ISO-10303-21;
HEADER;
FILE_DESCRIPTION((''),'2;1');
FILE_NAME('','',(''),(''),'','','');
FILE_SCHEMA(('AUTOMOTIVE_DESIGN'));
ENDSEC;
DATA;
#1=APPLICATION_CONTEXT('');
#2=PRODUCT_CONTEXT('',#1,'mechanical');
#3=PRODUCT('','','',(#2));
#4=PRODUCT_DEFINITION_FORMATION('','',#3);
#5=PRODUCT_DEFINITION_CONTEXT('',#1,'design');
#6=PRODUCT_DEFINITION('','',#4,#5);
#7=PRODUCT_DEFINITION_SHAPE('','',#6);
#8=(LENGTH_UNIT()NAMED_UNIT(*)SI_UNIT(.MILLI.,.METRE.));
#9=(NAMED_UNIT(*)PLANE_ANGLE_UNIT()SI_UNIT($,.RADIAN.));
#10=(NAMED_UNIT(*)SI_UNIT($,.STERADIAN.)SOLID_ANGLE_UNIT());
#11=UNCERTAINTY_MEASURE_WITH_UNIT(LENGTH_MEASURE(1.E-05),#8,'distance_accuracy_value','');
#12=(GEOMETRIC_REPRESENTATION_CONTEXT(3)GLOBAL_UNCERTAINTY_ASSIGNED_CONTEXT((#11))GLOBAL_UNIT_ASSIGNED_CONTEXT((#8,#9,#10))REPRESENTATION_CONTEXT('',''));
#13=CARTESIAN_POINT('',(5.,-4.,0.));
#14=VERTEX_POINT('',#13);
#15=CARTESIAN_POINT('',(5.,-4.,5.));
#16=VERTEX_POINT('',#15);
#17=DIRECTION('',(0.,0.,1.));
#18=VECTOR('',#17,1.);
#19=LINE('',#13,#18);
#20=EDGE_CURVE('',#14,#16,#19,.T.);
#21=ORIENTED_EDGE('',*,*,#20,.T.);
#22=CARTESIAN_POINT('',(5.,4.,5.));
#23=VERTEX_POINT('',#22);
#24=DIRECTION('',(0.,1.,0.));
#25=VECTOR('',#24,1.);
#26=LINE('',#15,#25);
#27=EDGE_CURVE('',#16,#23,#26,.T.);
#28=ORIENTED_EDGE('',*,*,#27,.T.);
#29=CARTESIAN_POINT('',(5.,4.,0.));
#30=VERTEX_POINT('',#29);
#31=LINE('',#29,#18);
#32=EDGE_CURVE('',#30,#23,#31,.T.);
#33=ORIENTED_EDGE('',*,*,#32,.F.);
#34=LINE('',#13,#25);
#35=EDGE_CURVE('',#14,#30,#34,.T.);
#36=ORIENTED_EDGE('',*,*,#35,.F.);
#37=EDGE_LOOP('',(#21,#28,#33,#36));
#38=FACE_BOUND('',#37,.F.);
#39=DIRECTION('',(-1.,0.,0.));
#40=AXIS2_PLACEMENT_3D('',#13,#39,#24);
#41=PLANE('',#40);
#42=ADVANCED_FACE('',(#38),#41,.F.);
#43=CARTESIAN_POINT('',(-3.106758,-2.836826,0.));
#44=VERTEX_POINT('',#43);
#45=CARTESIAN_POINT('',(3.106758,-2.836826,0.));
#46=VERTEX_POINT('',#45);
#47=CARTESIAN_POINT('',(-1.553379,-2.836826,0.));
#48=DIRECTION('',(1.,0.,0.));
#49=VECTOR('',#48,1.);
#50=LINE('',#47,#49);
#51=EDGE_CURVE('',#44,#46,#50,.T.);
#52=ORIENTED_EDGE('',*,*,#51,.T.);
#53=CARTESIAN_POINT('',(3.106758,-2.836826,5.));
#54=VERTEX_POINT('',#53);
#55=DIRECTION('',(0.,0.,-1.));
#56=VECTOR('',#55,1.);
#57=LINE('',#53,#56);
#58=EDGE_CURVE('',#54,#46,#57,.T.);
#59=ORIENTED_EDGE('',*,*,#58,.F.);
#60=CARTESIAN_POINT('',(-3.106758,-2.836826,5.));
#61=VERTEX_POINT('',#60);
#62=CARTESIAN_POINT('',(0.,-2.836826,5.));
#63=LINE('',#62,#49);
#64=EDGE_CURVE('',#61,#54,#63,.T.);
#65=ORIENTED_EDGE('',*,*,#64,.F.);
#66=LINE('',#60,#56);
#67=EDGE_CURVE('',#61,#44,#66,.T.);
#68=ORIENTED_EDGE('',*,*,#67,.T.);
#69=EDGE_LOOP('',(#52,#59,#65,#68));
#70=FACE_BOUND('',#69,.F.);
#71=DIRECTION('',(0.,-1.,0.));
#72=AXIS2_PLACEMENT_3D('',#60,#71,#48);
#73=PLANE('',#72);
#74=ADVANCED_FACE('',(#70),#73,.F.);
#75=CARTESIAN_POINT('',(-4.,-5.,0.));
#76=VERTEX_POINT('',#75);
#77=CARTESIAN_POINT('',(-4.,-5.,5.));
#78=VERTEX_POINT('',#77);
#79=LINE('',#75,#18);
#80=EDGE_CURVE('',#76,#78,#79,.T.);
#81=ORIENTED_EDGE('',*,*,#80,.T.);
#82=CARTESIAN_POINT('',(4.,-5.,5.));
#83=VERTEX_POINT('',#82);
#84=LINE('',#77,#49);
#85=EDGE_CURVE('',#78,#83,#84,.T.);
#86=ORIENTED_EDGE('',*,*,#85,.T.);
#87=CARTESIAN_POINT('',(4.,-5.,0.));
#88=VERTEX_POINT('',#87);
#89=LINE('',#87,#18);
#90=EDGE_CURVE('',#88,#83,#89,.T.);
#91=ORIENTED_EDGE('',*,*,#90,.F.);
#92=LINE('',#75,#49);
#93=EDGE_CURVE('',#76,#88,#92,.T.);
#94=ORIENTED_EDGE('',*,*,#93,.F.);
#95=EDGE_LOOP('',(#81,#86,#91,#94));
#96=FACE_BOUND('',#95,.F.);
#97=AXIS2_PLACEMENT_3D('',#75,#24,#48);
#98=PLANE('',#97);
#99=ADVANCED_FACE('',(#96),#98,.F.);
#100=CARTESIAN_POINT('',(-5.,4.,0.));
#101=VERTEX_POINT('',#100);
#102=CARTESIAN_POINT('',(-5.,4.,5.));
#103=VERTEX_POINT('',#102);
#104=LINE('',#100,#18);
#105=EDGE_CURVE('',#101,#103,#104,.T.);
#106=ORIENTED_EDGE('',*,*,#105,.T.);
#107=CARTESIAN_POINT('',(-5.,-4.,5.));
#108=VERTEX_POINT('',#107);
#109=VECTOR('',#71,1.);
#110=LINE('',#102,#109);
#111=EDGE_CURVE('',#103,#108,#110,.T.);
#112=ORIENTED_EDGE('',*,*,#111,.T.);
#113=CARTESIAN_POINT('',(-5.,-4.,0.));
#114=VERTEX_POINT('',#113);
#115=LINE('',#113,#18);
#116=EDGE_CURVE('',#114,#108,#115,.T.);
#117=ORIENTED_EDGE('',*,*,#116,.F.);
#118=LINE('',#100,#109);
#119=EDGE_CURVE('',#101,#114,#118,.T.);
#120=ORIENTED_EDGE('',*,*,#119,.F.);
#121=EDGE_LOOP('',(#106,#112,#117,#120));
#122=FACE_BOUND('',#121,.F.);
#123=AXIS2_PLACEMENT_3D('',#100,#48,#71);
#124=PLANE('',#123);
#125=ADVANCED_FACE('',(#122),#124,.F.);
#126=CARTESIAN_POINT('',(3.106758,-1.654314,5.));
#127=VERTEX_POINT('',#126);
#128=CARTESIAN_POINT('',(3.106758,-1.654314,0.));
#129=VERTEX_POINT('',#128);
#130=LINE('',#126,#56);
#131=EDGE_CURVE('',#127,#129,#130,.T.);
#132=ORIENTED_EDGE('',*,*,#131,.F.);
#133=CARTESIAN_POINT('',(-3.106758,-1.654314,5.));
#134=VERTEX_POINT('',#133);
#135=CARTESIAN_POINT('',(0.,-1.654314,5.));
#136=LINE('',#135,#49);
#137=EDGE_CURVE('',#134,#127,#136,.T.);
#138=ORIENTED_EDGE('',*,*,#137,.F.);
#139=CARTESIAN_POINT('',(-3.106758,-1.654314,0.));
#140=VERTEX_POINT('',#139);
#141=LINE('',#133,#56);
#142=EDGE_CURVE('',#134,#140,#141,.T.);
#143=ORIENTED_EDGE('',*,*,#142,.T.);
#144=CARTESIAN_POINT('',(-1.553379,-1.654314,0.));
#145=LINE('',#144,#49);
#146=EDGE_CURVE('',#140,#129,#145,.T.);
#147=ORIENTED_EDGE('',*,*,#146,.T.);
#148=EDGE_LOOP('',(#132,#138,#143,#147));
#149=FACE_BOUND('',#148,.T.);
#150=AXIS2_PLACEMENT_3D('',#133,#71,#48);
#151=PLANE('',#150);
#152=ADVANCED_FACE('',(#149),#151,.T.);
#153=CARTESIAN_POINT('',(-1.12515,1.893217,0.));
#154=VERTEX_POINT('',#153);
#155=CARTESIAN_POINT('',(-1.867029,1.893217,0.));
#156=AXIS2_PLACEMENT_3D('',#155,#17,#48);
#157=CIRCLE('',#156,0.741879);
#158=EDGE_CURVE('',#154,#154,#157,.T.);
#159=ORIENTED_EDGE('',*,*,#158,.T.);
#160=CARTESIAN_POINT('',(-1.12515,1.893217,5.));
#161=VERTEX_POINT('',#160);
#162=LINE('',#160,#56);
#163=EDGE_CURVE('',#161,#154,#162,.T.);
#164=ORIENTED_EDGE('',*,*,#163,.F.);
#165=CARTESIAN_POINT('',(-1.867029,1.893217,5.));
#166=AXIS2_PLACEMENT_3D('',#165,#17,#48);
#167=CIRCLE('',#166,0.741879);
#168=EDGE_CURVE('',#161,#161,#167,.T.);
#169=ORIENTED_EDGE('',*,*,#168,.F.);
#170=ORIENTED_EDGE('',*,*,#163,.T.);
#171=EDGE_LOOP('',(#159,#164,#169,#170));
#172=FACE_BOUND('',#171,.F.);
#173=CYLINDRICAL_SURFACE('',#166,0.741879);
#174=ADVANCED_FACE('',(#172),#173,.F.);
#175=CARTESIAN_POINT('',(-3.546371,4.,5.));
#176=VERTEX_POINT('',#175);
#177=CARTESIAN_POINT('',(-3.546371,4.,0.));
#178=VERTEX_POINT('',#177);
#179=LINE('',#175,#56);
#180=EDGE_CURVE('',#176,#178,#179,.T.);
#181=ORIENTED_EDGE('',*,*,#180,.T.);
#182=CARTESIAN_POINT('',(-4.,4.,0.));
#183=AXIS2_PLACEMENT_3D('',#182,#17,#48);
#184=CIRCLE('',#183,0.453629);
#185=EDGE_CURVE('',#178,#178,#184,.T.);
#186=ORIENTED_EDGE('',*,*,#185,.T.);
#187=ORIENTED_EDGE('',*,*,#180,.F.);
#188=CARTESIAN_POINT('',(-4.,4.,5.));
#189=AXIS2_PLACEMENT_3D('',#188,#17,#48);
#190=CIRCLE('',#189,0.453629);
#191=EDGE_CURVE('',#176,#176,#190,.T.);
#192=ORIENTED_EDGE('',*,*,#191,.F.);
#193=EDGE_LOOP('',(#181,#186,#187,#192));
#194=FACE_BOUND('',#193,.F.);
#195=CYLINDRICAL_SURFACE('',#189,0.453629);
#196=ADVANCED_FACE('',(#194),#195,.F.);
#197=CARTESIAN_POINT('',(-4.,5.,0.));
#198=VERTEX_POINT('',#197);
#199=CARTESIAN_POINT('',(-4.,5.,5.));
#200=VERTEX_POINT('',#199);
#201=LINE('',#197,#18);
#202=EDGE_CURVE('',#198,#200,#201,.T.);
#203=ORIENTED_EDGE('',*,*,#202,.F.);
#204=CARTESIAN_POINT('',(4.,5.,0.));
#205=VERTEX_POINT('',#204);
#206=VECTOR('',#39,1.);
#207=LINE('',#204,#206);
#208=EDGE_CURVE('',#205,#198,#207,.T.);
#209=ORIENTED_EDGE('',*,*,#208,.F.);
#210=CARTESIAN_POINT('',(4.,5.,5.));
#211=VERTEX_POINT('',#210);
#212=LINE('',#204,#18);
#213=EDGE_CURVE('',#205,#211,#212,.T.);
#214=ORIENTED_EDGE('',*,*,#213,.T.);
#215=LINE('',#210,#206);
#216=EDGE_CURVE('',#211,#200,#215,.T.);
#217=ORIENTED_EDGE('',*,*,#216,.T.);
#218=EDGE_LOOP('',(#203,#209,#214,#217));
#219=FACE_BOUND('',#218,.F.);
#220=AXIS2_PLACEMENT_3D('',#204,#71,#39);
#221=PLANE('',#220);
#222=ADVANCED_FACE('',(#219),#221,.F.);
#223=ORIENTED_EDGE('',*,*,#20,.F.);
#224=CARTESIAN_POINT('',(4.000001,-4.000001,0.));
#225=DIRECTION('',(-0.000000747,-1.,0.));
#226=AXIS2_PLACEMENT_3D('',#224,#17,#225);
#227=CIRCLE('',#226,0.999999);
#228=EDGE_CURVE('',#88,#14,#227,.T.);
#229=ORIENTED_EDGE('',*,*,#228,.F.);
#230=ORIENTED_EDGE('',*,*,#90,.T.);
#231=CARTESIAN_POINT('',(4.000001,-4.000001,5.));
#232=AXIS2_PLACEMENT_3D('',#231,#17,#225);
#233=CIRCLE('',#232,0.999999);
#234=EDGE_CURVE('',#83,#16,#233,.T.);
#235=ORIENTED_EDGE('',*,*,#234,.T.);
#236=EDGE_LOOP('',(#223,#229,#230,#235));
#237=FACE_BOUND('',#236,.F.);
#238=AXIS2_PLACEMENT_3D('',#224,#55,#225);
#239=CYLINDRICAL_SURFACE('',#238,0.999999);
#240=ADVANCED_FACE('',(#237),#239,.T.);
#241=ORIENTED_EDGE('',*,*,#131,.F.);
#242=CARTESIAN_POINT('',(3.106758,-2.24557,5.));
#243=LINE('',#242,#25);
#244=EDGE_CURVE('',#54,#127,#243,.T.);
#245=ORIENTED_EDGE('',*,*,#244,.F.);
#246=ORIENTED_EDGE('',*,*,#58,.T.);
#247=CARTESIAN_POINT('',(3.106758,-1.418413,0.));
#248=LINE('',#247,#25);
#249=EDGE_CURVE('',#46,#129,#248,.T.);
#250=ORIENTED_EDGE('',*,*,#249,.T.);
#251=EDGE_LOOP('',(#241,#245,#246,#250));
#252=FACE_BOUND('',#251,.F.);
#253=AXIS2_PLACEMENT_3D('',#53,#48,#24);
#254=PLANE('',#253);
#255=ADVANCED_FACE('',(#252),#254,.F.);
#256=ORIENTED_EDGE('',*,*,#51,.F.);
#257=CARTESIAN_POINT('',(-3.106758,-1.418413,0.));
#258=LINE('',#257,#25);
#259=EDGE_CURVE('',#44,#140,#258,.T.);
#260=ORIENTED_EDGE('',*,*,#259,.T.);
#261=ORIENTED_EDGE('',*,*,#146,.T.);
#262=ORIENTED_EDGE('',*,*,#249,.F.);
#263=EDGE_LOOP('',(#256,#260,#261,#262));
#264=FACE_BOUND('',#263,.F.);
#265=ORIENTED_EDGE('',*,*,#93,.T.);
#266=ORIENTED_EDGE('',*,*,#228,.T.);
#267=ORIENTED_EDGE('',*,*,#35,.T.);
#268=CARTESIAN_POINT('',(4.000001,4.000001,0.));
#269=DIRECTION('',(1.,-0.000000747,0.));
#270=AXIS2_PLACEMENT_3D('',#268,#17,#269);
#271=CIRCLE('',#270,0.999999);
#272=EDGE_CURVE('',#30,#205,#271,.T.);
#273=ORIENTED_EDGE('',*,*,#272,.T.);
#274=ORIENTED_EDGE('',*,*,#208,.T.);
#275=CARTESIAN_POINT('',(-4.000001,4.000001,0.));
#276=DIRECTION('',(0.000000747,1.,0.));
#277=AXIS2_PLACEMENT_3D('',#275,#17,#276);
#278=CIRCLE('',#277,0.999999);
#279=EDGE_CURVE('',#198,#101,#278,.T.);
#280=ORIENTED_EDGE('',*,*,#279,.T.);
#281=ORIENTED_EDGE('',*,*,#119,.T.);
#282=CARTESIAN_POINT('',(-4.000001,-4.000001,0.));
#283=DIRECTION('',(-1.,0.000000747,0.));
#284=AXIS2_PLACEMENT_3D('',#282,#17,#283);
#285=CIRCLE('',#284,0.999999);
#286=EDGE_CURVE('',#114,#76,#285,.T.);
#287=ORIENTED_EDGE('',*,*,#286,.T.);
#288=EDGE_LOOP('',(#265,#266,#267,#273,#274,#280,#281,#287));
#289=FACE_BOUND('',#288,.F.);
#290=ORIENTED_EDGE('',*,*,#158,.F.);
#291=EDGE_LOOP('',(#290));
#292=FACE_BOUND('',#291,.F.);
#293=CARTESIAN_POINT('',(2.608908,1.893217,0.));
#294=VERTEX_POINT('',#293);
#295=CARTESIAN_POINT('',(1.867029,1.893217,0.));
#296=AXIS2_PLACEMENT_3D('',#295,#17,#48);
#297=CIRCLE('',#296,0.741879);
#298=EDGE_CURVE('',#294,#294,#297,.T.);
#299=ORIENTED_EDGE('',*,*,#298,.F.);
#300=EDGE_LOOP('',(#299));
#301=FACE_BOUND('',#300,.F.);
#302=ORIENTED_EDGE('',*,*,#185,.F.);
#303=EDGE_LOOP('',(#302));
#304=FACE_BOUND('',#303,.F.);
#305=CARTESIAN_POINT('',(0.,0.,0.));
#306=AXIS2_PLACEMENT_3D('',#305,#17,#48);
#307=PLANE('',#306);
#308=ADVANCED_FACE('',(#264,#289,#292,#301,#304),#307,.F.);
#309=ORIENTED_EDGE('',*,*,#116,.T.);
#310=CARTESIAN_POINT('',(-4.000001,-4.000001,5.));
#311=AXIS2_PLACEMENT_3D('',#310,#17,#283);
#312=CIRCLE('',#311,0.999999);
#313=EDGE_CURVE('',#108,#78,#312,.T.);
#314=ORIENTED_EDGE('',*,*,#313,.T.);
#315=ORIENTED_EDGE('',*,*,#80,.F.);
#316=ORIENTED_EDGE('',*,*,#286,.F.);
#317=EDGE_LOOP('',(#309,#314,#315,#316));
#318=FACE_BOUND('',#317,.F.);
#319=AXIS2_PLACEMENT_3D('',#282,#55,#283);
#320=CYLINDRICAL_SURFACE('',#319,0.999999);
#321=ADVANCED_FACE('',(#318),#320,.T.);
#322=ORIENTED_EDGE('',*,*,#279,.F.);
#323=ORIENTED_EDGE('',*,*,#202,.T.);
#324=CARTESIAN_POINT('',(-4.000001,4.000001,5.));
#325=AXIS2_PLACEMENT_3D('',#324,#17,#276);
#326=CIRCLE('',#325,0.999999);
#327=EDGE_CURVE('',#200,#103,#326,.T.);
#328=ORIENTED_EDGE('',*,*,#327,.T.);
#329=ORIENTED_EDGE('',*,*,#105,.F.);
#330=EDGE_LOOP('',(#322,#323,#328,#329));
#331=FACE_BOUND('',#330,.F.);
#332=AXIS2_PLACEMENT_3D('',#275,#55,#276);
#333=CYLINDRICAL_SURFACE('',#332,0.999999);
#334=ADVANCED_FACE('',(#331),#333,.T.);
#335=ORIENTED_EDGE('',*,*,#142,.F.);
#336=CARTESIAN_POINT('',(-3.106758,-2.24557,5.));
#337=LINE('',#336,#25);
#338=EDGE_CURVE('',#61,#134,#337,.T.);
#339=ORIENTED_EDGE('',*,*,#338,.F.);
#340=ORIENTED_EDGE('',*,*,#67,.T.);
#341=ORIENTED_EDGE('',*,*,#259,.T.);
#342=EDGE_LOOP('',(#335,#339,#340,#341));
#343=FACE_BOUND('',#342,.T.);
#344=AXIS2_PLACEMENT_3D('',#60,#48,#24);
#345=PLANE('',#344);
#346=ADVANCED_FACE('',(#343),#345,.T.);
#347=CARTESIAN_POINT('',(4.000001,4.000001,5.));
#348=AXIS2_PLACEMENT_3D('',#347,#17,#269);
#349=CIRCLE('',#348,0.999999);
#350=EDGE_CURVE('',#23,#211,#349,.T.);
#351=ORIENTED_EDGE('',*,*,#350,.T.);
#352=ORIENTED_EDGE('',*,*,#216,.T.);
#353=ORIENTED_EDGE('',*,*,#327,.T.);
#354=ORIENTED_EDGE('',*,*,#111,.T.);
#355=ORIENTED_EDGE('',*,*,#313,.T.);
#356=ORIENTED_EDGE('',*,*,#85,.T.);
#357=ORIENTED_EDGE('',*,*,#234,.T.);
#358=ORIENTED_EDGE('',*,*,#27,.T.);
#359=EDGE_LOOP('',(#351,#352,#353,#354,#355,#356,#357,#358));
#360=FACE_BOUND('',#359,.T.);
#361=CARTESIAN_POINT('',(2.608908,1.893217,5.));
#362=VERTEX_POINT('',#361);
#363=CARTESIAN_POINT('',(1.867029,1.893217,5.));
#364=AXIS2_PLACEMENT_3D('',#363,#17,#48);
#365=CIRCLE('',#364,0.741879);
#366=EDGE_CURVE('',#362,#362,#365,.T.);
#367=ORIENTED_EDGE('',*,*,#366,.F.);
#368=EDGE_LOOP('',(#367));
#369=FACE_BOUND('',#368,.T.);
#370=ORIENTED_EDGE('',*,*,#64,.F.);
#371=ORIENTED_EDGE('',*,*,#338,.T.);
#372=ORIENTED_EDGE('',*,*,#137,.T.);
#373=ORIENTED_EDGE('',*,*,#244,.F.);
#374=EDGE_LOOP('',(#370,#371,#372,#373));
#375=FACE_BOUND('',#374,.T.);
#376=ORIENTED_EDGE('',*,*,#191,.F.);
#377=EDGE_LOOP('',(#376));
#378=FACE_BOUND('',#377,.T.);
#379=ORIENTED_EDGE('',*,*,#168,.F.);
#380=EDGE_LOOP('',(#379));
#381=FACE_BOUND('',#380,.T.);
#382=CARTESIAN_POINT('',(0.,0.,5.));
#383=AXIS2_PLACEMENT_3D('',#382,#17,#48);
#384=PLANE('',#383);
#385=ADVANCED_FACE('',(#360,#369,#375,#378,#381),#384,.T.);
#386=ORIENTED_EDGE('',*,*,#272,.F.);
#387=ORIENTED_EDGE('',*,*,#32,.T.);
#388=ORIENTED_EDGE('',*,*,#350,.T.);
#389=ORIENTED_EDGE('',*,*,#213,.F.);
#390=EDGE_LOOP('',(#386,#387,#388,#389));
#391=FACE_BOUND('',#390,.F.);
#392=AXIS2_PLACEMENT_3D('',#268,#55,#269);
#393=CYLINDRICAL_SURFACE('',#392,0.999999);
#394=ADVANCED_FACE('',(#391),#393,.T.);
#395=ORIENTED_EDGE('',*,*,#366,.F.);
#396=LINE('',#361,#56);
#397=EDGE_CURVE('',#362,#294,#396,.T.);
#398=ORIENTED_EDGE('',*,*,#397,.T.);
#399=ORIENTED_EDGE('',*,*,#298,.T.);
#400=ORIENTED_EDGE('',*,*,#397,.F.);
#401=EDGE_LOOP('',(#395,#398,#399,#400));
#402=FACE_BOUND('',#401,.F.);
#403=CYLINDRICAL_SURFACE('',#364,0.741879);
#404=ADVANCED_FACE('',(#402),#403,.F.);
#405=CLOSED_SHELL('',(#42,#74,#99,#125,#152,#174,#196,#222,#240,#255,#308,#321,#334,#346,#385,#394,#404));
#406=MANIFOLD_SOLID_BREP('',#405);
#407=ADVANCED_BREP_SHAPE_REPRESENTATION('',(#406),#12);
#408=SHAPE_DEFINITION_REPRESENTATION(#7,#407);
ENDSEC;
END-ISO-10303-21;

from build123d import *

# Parameters (mm, degrees)
F1_DEPTH = 5
F2_R     = 0.741879
F2_W     = 6.213516
F2_H     = 1.182511
F3_DEPTH = 25
F4_R     = 0.453629
F5_DEPTH = 5.001


with BuildPart() as f1:
    # F0 (on Top) → F1 (new body)
    with BuildSketch(Plane.XY):
        with BuildLine():
            Line((4, 5), (-4, 5))
            ThreePointArc((-4, 5), (-4.707107, 4.707107), (-5, 4))
            Line((-5, 4), (-5, -4))
            ThreePointArc((-5, -4), (-4.707107, -4.707107), (-4, -5))
            Line((-4, -5), (4, -5))
            ThreePointArc((4, -5), (4.707107, -4.707107), (5, -4))
            Line((5, -4), (5, 4))
            ThreePointArc((5, 4), (4.707107, 4.707107), (4, 5))
        make_face()
    extrude(amount=F1_DEPTH)

    # F2 (on face) → F3 (cut)
    with BuildSketch(Plane.XY.offset(5)):
        with Locations((-1.867029, 1.893217)):
            Circle(F2_R)
        with Locations((1.867029, 1.893217)):
            Circle(F2_R)
        with Locations((0, -2.24557)):
            Rectangle(F2_W, F2_H)
    extrude(amount=-F3_DEPTH, mode=Mode.SUBTRACT)

    # F4 (on face) → F5 (cut, through all)
    with BuildSketch(Plane.XY.offset(5)):
        with Locations((-4, 4)):
            Circle(F4_R)
    extrude(amount=-F5_DEPTH, mode=Mode.SUBTRACT)


solid = f1.part
